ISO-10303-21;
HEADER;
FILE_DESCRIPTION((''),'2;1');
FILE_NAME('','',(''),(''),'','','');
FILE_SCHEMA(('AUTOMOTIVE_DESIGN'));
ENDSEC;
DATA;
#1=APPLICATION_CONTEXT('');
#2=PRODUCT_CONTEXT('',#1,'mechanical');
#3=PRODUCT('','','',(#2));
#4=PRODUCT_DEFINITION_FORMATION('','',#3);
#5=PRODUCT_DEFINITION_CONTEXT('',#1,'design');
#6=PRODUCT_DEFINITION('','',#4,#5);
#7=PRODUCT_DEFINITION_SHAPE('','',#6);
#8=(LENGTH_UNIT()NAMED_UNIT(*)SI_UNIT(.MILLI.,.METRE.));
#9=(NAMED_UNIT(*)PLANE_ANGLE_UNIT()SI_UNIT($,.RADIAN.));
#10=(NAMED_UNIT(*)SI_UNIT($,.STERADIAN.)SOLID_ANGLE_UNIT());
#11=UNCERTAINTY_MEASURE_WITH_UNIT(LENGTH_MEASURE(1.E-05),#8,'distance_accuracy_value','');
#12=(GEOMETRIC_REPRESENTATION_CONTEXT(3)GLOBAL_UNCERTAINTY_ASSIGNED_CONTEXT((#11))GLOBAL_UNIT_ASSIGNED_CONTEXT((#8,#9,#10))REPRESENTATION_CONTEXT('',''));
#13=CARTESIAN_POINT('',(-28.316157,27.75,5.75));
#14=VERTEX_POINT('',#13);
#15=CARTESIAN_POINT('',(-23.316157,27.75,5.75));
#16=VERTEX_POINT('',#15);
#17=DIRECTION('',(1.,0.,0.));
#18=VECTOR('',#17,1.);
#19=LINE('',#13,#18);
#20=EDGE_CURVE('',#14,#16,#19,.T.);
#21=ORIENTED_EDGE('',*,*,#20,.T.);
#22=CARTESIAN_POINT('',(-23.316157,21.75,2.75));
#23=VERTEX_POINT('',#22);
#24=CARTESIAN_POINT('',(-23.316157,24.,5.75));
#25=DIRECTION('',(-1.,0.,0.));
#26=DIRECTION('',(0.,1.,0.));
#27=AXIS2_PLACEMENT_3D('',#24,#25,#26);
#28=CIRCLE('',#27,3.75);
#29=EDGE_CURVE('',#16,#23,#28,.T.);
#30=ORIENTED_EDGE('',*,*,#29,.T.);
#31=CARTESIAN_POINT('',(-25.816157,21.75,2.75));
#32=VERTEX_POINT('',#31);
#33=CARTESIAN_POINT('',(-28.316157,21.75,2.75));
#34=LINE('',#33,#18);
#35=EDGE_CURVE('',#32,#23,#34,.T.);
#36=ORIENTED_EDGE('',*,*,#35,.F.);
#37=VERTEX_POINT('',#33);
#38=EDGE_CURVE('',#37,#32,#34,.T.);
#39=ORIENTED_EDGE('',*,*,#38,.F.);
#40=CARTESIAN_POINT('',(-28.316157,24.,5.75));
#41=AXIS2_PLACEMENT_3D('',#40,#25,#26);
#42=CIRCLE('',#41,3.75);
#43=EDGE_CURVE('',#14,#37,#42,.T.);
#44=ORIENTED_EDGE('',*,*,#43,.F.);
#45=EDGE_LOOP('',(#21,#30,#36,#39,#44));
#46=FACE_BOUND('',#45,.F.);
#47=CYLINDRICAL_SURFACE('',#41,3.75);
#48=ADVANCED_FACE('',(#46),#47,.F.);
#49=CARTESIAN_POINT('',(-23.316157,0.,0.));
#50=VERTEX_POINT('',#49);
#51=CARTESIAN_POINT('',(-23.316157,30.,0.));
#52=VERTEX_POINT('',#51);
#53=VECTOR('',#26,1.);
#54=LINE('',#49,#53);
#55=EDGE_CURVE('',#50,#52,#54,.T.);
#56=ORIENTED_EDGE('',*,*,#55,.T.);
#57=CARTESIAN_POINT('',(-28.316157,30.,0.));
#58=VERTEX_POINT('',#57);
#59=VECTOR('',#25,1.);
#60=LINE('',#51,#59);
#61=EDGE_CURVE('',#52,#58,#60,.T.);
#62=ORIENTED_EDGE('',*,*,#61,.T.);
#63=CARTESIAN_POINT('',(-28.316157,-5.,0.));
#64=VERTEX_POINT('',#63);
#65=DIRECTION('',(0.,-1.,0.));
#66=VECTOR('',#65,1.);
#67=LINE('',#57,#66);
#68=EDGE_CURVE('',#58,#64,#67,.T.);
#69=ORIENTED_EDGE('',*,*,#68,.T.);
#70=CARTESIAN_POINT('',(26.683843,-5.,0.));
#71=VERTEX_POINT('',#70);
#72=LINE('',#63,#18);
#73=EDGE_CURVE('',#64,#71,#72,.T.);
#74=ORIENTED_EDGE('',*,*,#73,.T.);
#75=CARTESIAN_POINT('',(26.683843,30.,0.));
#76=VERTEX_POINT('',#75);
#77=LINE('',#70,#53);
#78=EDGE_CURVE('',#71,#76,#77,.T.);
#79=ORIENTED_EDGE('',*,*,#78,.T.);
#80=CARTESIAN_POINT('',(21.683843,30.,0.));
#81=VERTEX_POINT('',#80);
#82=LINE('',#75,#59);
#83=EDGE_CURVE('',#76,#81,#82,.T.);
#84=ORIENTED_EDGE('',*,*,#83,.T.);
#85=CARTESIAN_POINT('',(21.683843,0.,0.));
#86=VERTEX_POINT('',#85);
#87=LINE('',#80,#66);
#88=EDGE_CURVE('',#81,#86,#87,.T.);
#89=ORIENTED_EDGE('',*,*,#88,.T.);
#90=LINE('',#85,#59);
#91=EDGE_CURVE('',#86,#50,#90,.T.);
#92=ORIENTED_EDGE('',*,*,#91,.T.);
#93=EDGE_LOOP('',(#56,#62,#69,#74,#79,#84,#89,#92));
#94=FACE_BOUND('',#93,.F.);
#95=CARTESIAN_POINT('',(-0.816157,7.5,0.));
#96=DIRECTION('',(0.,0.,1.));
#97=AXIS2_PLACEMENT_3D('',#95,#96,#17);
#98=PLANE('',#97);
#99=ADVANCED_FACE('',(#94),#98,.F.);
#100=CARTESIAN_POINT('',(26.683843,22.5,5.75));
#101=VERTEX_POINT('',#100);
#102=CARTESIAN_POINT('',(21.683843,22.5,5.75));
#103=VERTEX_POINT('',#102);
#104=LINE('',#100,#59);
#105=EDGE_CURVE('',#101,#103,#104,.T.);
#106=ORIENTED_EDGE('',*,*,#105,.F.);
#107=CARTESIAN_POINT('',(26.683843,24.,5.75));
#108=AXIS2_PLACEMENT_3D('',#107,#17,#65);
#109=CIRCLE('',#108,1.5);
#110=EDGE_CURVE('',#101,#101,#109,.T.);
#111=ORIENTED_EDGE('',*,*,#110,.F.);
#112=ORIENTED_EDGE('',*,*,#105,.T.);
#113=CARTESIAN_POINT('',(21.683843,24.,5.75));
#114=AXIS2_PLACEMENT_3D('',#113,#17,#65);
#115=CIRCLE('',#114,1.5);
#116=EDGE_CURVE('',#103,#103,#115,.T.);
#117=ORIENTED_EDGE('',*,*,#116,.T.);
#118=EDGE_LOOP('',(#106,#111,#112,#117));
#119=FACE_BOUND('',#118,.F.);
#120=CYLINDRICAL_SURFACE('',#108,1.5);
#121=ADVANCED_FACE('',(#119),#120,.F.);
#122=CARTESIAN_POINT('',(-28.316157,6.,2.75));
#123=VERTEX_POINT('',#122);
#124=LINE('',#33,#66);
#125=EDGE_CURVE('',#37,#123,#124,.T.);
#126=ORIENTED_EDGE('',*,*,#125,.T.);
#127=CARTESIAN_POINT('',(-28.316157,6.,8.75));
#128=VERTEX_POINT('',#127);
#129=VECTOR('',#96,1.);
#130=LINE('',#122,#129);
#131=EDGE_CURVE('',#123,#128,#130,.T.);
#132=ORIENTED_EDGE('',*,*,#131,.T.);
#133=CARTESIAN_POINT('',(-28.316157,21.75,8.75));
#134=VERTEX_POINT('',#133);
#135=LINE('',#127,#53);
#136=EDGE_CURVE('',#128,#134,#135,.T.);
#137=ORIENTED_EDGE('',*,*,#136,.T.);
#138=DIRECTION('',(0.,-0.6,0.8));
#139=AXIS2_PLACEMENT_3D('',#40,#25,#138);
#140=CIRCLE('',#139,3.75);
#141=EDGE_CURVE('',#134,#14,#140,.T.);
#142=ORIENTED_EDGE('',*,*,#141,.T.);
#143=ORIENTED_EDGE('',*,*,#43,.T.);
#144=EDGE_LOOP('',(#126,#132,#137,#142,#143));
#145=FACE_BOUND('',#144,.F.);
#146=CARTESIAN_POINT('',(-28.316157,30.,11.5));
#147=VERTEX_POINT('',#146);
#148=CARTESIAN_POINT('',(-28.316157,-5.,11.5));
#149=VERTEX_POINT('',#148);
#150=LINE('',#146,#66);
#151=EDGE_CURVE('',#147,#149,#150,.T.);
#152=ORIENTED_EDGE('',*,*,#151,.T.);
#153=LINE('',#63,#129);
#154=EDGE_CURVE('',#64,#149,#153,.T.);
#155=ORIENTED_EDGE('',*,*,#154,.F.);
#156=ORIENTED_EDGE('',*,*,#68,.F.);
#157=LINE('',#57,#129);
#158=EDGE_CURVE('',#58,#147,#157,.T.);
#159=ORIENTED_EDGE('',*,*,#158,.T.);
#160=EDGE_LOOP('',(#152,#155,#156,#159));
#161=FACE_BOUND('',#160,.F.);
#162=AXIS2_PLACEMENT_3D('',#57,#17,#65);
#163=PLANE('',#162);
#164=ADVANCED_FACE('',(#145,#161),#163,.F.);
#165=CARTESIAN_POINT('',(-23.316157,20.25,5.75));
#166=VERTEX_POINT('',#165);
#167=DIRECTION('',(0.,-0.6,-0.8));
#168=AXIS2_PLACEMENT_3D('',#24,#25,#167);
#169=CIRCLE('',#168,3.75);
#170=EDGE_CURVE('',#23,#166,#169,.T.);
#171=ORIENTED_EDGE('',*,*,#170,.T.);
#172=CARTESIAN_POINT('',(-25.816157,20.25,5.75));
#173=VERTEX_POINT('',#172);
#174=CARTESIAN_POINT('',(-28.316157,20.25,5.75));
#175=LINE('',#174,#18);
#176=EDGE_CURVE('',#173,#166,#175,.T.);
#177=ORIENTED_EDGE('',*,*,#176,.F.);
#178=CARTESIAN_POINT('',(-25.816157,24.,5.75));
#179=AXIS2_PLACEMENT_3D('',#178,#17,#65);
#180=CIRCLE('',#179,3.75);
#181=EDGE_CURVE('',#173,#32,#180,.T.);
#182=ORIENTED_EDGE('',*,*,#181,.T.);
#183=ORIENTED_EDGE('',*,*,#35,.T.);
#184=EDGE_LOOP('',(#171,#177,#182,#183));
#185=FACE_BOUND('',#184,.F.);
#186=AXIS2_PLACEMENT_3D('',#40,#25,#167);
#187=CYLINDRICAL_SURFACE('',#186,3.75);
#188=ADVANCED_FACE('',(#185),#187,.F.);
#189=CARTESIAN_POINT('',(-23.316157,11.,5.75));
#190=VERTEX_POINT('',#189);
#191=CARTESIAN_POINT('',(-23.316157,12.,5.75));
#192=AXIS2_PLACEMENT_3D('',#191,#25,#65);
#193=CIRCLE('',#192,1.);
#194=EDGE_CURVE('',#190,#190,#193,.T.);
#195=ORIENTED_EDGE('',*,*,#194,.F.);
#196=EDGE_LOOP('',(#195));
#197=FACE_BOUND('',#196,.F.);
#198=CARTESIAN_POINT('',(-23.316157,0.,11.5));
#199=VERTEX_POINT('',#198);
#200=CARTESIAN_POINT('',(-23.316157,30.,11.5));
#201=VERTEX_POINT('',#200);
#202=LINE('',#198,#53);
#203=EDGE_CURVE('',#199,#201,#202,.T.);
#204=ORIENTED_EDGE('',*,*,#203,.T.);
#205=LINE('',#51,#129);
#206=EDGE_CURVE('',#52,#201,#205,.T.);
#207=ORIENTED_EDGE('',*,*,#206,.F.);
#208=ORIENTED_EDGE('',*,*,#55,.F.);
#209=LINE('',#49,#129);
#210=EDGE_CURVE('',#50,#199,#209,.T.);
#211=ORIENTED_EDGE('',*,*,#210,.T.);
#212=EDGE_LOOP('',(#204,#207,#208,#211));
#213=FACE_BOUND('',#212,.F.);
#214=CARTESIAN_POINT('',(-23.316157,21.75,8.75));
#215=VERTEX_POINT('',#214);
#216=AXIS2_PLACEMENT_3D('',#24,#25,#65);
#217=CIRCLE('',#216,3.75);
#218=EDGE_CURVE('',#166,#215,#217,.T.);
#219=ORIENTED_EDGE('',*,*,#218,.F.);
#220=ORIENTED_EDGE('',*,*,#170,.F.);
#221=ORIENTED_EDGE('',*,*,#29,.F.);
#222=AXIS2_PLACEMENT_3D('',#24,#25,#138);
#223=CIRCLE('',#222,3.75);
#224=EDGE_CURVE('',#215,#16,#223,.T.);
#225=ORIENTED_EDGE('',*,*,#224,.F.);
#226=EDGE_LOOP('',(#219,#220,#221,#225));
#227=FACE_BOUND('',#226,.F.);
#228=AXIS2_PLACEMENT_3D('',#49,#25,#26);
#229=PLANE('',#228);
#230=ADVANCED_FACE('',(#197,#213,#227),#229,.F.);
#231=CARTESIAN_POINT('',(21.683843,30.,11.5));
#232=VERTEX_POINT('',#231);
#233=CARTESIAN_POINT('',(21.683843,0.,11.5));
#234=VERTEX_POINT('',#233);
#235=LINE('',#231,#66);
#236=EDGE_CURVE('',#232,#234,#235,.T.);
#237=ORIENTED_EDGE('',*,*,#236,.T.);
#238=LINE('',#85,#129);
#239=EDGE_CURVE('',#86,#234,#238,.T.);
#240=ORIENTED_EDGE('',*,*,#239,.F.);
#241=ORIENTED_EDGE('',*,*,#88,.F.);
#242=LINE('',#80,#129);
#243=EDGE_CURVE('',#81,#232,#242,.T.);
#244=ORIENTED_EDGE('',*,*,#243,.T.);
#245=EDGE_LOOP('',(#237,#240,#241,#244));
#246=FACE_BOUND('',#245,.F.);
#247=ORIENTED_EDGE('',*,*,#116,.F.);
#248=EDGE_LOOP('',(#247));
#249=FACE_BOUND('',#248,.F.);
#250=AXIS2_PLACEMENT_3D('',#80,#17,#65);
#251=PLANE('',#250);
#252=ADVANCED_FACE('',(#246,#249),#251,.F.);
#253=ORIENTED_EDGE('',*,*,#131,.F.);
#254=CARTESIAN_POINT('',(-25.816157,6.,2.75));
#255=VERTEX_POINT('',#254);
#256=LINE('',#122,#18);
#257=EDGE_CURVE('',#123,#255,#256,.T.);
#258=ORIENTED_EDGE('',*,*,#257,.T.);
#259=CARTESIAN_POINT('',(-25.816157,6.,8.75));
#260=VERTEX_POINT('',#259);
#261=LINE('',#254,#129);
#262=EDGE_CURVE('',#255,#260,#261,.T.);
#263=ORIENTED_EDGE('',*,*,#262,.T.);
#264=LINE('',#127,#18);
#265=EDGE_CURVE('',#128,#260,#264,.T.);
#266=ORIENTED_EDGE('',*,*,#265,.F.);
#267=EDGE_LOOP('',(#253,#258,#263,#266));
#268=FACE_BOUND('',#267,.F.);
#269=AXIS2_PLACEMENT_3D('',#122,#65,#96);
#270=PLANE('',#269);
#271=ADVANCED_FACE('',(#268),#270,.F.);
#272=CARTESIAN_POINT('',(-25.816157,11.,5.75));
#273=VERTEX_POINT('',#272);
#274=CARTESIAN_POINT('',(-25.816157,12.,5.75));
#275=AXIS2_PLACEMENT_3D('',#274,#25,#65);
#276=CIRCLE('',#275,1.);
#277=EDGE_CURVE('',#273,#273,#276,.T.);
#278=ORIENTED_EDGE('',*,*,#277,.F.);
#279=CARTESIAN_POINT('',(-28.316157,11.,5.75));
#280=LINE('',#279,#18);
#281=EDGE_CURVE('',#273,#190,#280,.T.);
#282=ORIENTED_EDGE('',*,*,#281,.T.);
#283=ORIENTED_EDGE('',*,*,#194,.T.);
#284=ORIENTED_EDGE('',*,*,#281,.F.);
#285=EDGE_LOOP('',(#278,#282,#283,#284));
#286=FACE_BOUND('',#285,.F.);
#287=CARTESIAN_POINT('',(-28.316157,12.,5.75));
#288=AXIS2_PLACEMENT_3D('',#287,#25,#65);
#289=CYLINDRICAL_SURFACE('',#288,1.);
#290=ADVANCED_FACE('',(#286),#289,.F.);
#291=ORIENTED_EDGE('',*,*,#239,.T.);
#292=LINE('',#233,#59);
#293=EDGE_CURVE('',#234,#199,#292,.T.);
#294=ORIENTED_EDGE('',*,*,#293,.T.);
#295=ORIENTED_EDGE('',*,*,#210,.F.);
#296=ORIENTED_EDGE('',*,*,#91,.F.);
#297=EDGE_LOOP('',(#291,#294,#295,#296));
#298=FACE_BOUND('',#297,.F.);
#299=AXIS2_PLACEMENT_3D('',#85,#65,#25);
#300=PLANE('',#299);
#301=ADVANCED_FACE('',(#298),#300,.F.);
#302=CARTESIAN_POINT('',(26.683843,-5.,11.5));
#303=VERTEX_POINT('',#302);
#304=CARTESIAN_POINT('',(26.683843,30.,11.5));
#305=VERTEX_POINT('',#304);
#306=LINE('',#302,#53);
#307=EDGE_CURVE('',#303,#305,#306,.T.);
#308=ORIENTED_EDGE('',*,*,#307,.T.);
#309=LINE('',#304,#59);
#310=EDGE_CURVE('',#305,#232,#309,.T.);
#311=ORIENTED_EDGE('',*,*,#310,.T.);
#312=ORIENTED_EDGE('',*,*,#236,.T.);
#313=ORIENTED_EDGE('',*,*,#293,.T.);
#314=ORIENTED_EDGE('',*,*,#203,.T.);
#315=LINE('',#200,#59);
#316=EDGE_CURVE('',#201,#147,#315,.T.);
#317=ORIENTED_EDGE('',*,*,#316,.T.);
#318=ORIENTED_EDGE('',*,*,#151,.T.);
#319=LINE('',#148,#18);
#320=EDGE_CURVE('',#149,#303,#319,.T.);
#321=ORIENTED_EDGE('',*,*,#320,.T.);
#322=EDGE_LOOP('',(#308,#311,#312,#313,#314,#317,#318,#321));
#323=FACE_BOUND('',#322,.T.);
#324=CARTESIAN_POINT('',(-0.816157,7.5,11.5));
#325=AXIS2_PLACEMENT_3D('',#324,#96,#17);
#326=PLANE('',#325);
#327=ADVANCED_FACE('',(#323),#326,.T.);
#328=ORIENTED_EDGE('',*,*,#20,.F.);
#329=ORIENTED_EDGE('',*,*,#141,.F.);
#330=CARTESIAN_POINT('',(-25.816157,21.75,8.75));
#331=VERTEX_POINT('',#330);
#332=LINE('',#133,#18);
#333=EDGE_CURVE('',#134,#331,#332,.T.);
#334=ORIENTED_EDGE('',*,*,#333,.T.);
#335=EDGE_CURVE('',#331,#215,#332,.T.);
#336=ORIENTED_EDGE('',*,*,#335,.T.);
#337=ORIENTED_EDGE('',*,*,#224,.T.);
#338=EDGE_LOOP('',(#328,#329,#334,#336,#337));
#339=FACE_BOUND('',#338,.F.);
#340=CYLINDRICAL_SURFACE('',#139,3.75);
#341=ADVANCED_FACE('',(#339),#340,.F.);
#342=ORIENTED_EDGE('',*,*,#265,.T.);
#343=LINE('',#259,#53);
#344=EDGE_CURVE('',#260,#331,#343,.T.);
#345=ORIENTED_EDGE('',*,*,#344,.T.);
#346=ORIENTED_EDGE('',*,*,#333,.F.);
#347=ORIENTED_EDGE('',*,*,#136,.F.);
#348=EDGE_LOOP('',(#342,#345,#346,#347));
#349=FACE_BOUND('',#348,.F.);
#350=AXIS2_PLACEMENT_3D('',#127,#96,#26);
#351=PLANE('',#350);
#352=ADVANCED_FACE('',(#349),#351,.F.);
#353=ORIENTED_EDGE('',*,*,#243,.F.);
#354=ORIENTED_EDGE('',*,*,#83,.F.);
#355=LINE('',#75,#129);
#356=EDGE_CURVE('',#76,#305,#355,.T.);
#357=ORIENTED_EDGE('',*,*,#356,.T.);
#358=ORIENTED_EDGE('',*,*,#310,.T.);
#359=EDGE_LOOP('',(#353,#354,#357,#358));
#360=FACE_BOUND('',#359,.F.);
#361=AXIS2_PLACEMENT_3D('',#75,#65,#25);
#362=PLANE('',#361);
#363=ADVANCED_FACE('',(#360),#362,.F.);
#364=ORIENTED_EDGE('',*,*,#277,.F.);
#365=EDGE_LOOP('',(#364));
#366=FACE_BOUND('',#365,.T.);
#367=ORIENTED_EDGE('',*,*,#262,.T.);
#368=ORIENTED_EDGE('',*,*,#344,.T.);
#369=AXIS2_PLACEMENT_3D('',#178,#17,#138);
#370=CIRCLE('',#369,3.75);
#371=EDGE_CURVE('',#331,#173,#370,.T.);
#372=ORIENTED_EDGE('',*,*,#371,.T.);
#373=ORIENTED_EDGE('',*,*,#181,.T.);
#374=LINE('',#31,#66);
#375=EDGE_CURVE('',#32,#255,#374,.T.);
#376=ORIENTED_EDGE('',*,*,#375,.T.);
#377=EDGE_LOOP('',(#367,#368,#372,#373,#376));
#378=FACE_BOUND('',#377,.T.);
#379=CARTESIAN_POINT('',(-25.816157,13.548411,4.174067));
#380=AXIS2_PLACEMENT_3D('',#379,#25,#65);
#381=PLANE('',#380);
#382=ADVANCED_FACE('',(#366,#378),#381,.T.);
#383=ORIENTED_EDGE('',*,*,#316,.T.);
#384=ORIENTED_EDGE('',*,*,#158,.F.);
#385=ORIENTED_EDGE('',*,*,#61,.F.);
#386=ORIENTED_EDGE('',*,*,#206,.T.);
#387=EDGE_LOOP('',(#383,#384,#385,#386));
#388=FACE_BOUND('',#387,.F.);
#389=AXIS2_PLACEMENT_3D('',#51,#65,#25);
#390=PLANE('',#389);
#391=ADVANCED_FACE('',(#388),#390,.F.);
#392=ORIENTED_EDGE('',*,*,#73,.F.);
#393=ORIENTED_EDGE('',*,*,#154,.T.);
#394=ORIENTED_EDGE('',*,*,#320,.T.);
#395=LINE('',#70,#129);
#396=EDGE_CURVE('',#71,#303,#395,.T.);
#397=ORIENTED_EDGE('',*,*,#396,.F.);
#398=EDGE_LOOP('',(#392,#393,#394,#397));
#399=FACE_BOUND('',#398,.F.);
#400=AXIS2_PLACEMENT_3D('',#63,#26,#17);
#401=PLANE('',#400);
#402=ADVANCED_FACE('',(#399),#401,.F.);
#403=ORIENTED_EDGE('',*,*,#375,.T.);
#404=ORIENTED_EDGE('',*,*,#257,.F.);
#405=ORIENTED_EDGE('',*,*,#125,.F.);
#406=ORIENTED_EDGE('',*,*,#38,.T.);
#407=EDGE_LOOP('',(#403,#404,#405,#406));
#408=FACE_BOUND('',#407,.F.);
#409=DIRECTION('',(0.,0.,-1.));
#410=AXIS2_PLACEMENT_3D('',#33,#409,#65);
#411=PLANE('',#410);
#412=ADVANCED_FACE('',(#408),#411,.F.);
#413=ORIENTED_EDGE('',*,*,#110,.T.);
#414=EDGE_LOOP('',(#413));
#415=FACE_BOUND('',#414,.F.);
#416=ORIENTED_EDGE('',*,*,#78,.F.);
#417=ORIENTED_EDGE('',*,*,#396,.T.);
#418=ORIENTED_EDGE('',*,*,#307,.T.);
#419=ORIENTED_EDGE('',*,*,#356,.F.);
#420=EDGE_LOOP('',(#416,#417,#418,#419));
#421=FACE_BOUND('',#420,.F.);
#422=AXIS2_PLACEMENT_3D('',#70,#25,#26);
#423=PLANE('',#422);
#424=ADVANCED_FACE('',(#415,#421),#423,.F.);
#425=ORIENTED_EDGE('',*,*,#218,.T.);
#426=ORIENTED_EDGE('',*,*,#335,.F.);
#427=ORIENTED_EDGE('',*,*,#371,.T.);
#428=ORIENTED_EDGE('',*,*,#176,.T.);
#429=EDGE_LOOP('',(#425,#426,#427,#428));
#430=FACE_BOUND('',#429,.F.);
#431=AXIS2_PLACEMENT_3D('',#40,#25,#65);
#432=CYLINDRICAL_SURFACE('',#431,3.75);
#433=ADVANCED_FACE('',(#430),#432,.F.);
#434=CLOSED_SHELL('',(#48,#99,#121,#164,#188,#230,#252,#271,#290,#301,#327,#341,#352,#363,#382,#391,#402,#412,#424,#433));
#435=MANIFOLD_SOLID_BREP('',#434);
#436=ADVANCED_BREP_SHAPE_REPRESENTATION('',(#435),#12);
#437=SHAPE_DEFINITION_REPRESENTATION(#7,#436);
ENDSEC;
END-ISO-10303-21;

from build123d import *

# Parameters (mm, degrees)
F1_DEPTH = 11.5
F3_DEPTH = 25
F4_DEPTH = 2.5
F6_DEPTH = 25


with BuildPart() as f1:
    # F0 (on Top) → F1 (new body)
    with BuildSketch(Plane.XY):
        Polygon((21.6838430613, 0), (-23.3161569387, 0), (-23.3161569387, 30), (-28.3161569387, 30), (-28.3161569387, -5), (26.6838430613, -5), (26.6838430613, 30), (21.6838430613, 30), align=None)
    extrude(amount=F1_DEPTH)

    # F2 (on face) → F3 (cut)
    with BuildSketch(Plane(origin=(-28.3161569387, 0, 0), x_dir=(0, -1, 0), z_dir=(-1, 0, 0))):
        with BuildLine():
            ThreePointArc((-21.75, 2.75), (-20.6458980338, 4.0729490169), (-20.25, 5.75))
            Line((-20.25, 5.75), (-24.0342449397, 5.75))
            Line((-24.0342449397, 5.75), (-24.0342449397, 2.75))
            Line((-24.0342449397, 2.75), (-21.75, 2.75))
        make_face()
        with BuildLine():
            Line((-24.0342449397, 5.75), (-20.25, 5.75))
            ThreePointArc((-20.25, 5.75), (-20.6458980338, 7.4270509831), (-21.75, 8.75))
            Line((-21.75, 8.75), (-24.0342449397, 8.75))
            Line((-24.0342449397, 8.75), (-24.0342449397, 5.75))
        make_face()
        with BuildLine():
            Line((-24.0342449397, 8.75), (-21.75, 8.75))
            ThreePointArc((-21.75, 8.75), (-25.6770509831, 9.1041019662), (-27.75, 5.75))
            Line((-27.75, 5.75), (-24.0342449397, 5.75))
            Line((-24.0342449397, 5.75), (-24.0342449397, 8.75))
        make_face()
        with BuildLine():
            ThreePointArc((-27.75, 5.75), (-25.6770509831, 2.3958980338), (-21.75, 2.75))
            Line((-21.75, 2.75), (-24.0342449397, 2.75))
            Line((-24.0342449397, 2.75), (-24.0342449397, 5.75))
            Line((-24.0342449397, 5.75), (-27.75, 5.75))
        make_face()
        with BuildLine():
            ThreePointArc((-13, 5.75), (-12, 4.75), (-11, 5.75))
            Line((-11, 5.75), (-13, 5.75))
        make_face()
        with BuildLine():
            Line((-13, 5.75), (-11, 5.75))
            ThreePointArc((-11, 5.75), (-12, 6.75), (-13, 5.75))
        make_face()
    extrude(amount=-F3_DEPTH, mode=Mode.SUBTRACT)

    # F2 (on face) → F4 (cut)
    with BuildSketch(Plane(origin=(-28.3161569387, 0, 0), x_dir=(0, -1, 0), z_dir=(-1, 0, 0))):
        with BuildLine():
            Line((-6, 5.75), (-11, 5.75))
            ThreePointArc((-11, 5.75), (-12, 4.75), (-13, 5.75))
            Line((-13, 5.75), (-20.25, 5.75))
            ThreePointArc((-20.25, 5.75), (-20.6458980338, 4.0729490169), (-21.75, 2.75))
            Line((-21.75, 2.75), (-6, 2.75))
            Line((-6, 2.75), (-6, 5.75))
        make_face()
        with BuildLine():
            ThreePointArc((-13, 5.75), (-12, 6.75), (-11, 5.75))
            Line((-11, 5.75), (-6, 5.75))
            Line((-6, 5.75), (-6, 8.75))
            Line((-6, 8.75), (-21.75, 8.75))
            ThreePointArc((-21.75, 8.75), (-20.6458980338, 7.4270509831), (-20.25, 5.75))
            Line((-20.25, 5.75), (-13, 5.75))
        make_face()
    extrude(amount=-F4_DEPTH, mode=Mode.SUBTRACT)

    # F5 (on face) → F6 (cut)
    with BuildSketch(Plane.YZ.offset(26.6838430613)):
        with BuildLine():
            Line((22.5, 5.75), (25.5, 5.75))
            ThreePointArc((25.5, 5.75), (24, 7.25), (22.5, 5.75))
        make_face()
        with BuildLine():
            ThreePointArc((22.5, 5.75), (24, 4.25), (25.5, 5.75))
            Line((25.5, 5.75), (22.5, 5.75))
        make_face()
    extrude(amount=-F6_DEPTH, mode=Mode.SUBTRACT)


solid = f1.part
